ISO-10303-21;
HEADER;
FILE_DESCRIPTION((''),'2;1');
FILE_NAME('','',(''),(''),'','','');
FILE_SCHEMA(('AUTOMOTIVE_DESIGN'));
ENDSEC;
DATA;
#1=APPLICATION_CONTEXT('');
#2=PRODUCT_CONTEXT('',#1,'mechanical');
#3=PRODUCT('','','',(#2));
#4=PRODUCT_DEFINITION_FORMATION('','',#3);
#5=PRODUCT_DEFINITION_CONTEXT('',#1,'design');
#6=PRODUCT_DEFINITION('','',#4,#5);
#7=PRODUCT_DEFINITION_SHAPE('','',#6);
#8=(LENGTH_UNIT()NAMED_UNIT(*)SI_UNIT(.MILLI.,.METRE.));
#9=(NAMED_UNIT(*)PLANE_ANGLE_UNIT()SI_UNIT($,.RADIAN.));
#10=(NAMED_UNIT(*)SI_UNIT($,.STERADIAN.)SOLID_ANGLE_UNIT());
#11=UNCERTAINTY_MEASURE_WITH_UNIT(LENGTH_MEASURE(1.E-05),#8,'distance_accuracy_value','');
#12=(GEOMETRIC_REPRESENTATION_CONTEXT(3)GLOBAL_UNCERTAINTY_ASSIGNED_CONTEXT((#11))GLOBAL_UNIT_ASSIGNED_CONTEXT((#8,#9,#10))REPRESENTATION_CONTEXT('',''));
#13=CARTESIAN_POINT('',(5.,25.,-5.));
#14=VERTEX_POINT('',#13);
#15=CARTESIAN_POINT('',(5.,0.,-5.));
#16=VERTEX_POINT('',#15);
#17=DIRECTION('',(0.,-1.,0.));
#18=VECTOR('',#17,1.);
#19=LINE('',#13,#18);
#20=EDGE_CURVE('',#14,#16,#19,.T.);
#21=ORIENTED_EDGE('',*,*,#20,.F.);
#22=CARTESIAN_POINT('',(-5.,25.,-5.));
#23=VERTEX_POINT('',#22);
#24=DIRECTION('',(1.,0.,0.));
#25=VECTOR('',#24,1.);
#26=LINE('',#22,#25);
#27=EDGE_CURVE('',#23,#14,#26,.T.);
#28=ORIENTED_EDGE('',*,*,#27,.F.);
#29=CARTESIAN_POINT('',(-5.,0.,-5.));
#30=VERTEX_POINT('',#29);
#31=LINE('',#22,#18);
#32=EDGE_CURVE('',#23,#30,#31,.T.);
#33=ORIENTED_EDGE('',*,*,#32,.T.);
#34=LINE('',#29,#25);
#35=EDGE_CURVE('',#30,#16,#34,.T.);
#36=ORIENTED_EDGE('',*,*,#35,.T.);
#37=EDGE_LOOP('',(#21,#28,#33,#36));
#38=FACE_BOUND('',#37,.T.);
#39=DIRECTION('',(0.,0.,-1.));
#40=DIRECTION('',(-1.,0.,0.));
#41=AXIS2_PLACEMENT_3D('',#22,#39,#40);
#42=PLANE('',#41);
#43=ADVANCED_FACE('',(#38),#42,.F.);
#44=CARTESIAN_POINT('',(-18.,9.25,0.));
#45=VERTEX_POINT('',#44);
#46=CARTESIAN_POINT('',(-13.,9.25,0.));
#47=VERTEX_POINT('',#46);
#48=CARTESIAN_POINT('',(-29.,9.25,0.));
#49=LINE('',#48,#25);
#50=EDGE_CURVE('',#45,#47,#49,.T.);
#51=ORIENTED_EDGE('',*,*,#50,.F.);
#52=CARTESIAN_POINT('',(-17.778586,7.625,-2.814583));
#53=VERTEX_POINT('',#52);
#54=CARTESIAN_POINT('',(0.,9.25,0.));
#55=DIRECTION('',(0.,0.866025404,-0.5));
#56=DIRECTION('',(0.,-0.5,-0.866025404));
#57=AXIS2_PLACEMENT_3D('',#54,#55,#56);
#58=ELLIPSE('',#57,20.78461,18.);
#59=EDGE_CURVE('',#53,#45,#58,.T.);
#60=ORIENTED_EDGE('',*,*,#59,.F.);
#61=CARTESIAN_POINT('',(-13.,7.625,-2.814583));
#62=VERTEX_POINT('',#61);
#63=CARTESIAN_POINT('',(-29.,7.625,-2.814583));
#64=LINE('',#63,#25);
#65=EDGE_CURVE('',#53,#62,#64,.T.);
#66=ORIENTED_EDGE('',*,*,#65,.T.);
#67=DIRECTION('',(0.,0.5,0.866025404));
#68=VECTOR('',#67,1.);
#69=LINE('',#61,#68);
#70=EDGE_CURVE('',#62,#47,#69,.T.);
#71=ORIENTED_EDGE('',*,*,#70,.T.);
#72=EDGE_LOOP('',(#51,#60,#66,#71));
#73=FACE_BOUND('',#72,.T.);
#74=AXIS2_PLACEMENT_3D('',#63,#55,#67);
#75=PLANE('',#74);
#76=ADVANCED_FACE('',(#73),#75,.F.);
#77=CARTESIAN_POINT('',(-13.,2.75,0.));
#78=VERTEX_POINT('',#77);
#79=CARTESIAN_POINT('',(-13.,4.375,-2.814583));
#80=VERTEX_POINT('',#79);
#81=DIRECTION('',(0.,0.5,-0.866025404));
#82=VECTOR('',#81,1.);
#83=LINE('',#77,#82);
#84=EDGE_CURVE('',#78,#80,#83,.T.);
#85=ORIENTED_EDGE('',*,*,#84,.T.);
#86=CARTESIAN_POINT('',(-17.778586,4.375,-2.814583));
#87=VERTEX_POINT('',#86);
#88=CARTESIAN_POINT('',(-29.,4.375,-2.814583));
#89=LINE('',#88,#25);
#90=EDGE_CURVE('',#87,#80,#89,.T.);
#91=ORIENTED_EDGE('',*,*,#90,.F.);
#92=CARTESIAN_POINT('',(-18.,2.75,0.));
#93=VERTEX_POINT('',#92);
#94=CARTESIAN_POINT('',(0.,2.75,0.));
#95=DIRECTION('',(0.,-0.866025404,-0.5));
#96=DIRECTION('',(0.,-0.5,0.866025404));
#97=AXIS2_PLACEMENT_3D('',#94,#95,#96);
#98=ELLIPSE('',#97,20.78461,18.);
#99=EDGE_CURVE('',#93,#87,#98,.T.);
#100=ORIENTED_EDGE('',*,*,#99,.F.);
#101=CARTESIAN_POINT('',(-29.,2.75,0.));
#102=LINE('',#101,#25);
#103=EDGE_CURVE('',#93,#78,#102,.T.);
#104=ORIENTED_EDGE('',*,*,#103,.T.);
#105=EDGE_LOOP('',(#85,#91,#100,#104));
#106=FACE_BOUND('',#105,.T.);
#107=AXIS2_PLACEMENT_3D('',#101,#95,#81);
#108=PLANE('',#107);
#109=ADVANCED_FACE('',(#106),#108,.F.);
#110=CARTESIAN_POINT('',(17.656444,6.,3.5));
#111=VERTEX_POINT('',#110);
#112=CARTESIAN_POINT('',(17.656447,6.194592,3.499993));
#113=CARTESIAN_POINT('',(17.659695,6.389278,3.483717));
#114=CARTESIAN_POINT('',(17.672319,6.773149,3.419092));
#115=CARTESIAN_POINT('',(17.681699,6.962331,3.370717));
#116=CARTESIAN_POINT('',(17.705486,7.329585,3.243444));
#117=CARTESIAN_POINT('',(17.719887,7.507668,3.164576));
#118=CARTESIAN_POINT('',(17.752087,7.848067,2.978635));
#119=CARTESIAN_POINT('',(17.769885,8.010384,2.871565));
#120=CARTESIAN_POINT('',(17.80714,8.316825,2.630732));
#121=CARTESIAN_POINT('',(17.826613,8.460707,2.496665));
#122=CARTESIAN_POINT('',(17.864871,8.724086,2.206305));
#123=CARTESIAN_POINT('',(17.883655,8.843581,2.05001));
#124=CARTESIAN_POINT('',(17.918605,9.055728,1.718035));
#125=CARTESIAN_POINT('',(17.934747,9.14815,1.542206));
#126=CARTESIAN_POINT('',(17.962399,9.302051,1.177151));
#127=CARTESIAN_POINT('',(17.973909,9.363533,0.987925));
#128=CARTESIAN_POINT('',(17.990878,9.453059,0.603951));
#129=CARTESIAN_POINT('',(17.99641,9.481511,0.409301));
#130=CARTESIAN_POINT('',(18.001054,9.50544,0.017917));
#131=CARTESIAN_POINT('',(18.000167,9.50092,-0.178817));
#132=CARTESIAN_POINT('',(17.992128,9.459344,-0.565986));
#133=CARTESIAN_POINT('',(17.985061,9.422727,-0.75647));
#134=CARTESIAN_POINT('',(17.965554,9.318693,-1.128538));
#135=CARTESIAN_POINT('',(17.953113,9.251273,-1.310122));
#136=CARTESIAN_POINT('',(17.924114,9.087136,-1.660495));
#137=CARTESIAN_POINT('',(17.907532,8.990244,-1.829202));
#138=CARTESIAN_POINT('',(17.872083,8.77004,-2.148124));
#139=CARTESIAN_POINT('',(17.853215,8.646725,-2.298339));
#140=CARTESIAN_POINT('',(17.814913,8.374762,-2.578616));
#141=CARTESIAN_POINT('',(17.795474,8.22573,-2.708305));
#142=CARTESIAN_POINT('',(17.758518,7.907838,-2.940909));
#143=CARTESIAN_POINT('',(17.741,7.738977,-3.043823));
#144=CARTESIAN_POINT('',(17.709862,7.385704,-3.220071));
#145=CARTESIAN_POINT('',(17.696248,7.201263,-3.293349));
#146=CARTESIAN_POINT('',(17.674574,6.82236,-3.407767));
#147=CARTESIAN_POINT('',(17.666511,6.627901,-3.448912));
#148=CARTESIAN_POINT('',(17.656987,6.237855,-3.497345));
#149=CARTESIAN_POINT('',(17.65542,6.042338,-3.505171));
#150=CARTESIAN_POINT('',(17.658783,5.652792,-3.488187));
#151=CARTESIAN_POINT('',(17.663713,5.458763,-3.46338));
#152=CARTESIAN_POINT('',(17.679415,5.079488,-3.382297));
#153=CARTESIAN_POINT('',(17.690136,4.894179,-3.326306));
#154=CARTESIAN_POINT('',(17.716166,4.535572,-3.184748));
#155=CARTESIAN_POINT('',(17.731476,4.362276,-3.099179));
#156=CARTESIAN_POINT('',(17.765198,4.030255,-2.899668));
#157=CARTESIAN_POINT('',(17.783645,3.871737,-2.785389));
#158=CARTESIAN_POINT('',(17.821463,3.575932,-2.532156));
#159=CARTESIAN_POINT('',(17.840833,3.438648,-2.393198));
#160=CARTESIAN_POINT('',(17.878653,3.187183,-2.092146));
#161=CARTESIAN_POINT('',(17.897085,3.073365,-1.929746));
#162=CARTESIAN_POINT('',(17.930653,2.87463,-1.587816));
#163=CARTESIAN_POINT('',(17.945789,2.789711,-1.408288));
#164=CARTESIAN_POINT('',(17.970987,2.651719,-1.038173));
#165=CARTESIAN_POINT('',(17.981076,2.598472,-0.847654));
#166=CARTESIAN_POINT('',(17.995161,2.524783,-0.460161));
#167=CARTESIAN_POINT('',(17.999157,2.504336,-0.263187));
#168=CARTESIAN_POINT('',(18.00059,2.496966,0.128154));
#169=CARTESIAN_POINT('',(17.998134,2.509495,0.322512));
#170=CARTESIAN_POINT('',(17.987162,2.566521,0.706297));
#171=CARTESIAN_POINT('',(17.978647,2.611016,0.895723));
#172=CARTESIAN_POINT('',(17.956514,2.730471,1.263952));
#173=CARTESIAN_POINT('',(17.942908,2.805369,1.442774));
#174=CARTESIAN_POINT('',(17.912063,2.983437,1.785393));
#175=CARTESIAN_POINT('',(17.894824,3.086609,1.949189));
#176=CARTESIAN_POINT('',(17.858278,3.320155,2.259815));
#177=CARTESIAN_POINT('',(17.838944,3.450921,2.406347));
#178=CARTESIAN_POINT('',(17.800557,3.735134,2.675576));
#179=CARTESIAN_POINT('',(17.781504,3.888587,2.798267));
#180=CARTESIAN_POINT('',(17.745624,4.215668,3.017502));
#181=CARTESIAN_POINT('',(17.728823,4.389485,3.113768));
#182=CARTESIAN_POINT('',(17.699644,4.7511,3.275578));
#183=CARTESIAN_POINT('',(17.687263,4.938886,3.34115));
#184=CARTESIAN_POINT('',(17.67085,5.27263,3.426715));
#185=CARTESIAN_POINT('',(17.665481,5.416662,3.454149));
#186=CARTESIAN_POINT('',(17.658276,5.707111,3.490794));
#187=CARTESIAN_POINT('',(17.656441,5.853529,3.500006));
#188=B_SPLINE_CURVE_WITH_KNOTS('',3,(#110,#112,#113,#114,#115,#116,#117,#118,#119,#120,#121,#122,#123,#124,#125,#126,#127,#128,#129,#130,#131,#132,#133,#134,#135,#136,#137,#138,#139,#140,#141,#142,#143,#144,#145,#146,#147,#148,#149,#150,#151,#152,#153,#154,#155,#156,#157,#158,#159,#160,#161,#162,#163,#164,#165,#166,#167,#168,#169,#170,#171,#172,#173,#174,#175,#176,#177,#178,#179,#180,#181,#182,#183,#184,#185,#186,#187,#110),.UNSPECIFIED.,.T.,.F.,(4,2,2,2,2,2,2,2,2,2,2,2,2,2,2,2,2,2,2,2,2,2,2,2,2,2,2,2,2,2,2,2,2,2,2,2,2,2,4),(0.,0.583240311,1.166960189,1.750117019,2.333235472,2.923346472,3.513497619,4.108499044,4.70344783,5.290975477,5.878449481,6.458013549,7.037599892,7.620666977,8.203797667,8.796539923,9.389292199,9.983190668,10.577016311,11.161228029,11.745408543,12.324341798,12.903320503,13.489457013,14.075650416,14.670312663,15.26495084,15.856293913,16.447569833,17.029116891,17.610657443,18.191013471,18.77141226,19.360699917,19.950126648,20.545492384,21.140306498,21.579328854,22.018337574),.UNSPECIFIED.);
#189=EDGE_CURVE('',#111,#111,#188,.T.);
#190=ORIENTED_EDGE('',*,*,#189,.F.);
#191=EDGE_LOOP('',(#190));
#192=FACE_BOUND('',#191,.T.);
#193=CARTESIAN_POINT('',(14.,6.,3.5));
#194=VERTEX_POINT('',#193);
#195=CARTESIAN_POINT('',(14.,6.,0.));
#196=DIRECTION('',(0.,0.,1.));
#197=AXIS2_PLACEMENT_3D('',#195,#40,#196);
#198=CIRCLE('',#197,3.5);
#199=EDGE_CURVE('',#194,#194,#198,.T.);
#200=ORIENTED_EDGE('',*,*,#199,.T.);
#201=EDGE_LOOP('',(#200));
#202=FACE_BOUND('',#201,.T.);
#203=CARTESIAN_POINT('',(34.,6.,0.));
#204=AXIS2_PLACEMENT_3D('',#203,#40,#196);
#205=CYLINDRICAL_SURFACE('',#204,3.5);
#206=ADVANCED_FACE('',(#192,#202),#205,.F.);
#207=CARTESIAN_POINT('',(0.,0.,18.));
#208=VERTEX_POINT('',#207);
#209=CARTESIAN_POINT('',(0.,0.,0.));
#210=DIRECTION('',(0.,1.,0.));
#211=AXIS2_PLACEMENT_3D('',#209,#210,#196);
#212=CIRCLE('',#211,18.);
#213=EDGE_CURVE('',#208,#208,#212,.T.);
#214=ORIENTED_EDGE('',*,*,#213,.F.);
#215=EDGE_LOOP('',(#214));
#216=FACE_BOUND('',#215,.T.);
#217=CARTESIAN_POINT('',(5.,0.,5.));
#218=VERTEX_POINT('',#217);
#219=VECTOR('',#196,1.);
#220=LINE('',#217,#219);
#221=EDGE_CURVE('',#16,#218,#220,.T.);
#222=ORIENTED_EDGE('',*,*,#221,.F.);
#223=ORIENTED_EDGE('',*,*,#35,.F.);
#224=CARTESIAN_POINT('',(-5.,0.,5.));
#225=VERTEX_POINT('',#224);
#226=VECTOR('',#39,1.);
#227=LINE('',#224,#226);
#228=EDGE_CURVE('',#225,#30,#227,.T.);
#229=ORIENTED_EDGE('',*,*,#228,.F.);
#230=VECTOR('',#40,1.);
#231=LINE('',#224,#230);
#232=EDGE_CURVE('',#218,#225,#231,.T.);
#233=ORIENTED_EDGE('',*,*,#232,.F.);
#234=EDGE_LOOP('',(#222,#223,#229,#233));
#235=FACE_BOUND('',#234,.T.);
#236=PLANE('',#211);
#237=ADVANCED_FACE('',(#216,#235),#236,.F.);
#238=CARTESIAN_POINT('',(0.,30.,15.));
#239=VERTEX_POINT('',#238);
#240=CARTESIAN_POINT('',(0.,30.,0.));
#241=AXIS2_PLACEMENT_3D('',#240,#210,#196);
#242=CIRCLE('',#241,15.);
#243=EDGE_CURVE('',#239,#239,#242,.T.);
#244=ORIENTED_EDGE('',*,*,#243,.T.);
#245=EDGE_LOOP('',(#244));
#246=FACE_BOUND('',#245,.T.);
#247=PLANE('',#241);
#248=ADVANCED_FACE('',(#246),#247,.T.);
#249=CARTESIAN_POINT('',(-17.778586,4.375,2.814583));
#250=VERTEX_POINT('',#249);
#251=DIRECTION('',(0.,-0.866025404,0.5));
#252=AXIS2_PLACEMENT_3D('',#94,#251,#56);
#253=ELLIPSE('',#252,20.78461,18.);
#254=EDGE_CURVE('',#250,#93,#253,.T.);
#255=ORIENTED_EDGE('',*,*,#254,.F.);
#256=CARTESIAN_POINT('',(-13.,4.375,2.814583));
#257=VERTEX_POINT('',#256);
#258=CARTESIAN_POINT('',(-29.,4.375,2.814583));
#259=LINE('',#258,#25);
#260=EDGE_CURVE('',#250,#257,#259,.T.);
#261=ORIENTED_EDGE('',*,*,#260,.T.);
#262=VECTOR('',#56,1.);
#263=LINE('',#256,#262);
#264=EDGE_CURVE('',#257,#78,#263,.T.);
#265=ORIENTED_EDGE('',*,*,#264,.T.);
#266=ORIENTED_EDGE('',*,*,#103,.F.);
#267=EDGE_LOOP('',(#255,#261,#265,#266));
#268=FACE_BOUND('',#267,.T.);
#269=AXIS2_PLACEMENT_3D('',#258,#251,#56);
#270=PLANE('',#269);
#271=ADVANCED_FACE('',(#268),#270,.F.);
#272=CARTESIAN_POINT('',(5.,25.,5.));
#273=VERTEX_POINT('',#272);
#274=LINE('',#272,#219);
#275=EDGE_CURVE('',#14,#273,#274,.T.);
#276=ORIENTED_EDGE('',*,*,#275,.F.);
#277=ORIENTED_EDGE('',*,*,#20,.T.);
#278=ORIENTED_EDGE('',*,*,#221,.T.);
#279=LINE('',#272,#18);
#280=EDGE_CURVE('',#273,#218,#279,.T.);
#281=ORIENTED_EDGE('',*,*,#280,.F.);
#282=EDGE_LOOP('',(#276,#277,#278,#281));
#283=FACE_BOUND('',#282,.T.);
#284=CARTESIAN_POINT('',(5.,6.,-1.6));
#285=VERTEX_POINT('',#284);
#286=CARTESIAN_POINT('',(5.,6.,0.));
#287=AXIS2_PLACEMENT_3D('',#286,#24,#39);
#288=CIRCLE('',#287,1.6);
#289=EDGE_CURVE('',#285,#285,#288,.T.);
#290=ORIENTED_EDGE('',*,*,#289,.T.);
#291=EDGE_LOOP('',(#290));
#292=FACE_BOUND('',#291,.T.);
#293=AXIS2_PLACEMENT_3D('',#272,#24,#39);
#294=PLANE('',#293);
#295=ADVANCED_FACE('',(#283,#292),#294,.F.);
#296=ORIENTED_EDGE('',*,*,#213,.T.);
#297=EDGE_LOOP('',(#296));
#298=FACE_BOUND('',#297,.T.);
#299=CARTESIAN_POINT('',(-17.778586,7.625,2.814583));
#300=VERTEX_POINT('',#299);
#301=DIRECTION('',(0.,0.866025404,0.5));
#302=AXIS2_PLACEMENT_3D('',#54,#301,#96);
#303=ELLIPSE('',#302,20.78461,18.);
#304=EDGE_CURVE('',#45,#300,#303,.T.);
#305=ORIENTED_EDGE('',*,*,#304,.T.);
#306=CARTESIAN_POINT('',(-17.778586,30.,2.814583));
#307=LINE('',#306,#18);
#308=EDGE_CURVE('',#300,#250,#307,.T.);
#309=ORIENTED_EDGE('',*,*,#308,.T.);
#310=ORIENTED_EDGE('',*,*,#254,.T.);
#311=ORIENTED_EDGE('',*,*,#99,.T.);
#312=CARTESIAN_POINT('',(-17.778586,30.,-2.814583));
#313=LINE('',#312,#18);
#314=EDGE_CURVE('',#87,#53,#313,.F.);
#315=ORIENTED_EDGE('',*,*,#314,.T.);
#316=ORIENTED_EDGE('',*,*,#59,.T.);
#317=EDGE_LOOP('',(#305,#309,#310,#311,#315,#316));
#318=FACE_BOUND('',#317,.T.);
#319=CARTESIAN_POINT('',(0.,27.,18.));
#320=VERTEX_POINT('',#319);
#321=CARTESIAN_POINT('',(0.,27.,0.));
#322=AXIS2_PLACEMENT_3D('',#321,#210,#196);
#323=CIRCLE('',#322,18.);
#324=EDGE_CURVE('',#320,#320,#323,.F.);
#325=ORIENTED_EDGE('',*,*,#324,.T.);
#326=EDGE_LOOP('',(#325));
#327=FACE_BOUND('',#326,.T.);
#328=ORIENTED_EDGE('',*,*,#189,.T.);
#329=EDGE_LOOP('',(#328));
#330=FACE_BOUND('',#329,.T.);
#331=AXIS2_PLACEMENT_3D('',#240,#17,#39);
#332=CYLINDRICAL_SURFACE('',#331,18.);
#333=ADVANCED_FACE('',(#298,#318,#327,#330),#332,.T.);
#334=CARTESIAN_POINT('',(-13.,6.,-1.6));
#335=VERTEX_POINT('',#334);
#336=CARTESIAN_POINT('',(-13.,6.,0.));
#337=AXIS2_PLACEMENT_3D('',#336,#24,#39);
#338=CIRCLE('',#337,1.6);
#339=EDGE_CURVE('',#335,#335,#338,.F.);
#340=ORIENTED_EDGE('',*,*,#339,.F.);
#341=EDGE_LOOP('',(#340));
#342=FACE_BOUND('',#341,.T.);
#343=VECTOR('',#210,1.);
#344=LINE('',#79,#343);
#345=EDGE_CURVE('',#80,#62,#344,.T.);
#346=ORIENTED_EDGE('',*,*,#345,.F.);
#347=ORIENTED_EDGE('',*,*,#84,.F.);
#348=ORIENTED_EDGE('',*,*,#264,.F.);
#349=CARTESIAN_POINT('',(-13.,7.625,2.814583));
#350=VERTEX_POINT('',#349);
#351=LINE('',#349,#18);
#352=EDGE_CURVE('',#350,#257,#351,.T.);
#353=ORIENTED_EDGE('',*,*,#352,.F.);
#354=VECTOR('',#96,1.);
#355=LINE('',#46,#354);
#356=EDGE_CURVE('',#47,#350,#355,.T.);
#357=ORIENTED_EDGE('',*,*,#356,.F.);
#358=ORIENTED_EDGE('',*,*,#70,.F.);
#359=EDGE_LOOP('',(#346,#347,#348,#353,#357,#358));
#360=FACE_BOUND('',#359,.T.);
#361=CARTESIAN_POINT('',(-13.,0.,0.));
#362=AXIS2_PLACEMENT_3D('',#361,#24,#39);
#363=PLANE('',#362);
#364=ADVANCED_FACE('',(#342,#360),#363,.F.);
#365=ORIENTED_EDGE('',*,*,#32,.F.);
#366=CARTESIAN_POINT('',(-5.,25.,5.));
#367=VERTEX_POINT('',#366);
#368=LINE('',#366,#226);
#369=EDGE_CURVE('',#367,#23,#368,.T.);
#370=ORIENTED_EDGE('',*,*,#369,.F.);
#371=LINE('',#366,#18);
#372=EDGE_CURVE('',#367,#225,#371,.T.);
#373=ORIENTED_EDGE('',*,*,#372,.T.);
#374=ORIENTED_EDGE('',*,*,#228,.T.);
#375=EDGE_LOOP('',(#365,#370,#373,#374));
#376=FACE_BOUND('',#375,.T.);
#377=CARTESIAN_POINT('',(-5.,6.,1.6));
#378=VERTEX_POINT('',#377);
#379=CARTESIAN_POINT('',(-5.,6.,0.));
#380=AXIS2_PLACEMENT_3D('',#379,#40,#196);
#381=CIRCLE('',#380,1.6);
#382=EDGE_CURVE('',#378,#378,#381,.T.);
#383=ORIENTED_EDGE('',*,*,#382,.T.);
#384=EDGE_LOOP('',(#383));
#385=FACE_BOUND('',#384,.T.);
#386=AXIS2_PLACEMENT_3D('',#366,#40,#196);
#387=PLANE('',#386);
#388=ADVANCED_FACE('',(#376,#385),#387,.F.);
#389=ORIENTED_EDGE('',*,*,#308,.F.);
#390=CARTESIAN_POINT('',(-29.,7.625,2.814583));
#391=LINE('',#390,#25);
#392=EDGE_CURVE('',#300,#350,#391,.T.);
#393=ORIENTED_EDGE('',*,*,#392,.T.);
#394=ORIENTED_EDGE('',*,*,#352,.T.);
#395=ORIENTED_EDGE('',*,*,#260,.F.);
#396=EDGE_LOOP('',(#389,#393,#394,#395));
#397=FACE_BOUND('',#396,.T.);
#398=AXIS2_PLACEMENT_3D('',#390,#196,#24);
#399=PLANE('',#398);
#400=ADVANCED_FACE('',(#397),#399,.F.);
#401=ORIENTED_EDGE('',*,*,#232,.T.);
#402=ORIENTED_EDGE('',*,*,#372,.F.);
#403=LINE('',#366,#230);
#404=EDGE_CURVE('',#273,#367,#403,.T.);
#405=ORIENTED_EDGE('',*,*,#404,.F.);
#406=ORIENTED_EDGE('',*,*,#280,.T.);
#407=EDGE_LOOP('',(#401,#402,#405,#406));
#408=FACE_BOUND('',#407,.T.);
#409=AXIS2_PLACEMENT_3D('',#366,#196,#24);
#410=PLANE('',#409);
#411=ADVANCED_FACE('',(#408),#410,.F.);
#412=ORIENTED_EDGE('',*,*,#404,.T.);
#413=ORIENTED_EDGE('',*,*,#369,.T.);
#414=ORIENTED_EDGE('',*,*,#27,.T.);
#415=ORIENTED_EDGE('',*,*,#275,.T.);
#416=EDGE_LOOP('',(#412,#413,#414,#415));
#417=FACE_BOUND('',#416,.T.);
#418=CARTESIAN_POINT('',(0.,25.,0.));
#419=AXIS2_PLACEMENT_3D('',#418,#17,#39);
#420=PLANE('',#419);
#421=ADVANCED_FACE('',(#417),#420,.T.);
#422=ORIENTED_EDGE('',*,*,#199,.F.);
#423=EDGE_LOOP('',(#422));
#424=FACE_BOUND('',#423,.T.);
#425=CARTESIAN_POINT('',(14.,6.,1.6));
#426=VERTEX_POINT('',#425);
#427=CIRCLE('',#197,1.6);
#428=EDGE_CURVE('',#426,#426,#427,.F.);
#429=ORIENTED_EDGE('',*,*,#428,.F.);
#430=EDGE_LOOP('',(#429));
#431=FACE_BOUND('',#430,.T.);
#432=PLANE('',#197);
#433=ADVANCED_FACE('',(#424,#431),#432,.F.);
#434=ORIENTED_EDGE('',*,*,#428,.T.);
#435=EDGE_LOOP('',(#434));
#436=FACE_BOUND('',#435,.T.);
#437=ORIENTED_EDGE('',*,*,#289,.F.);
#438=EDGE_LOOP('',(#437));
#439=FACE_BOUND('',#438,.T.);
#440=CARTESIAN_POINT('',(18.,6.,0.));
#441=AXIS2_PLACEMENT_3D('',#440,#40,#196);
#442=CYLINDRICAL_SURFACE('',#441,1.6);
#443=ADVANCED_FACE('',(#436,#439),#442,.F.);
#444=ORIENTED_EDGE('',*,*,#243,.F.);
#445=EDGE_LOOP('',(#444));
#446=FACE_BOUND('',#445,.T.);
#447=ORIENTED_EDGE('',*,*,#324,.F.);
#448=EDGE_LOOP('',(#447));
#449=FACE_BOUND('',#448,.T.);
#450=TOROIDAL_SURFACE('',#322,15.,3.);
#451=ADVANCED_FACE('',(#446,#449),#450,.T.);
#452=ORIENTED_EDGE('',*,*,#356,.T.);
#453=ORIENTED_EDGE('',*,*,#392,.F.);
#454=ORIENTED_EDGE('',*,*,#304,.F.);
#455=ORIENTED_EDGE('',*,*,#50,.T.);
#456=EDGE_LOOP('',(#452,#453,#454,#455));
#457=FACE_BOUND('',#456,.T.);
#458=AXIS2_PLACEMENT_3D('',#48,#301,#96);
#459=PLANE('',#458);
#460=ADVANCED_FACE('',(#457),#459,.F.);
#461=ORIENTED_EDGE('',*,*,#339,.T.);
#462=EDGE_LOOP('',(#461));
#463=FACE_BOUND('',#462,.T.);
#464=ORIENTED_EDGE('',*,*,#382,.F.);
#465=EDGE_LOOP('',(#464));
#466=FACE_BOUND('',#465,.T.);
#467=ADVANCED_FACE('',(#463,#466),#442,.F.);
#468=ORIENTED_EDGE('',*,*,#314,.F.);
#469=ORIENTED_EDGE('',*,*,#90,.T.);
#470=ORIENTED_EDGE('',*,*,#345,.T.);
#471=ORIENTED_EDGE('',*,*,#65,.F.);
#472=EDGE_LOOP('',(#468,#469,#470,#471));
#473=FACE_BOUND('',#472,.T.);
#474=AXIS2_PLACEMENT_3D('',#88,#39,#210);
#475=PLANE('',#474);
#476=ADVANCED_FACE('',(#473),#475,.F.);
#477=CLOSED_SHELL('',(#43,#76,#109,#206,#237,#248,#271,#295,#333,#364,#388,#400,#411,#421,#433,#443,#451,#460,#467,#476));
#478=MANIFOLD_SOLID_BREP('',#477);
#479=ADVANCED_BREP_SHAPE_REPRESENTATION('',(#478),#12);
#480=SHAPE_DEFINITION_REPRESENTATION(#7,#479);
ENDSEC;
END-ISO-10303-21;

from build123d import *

# Parameters (mm, degrees)
SKETCH1_R               = 18
BOSS_EXTRUDE1_DEPTH     = 30
FILLET1_R               = 3
SKETCH2_W               = 10
SKETCH2_H               = 10
CUT_EXTRUDE1_DEPTH      = 25
SKETCH3_R               = 1.6
CUT_EXTRUDE2_DEPTH      = 24
CUT_EXTRUDE2_DEPTH_BACK = 14.0000001
CUT_EXTRUDE3_START      = -9
SKETCH4_R               = 3.5
CUT_EXTRUDE3_DEPTH      = 20
CUT_EXTRUDE4_START      = -8
CUT_EXTRUDE4_DEPTH      = 16


with BuildPart() as part:
    # Sketch1 → Boss-Extrude1 (new body)
    with BuildSketch(Plane(origin=(0, 0, 0), x_dir=(1, 0, 0), z_dir=(0, 1, 0))):
        Circle(SKETCH1_R)
    extrude(amount=BOSS_EXTRUDE1_DEPTH)

    # Fillet1
    fillet1_edges = [part.edges().sort_by_distance(p)[0] for p in [
        (-18, 30, 0),
    ]]
    fillet(fillet1_edges, radius=FILLET1_R)

    # Sketch2 → Cut-Extrude1 (cut)
    with BuildSketch(Plane.XZ):
        Rectangle(SKETCH2_W, SKETCH2_H)
    extrude(amount=-CUT_EXTRUDE1_DEPTH, mode=Mode.SUBTRACT)

    # Sketch3 → Cut-Extrude2 (cut, two sides)
    with BuildSketch(Plane.ZY.offset(-5)) as cut_extrude2_sk:
        with Locations((0, 6)):
            Circle(SKETCH3_R)
    extrude(amount=CUT_EXTRUDE2_DEPTH, mode=Mode.SUBTRACT)
    extrude(cut_extrude2_sk.sketch, amount=-CUT_EXTRUDE2_DEPTH_BACK, mode=Mode.SUBTRACT)

    # Sketch4 → Cut-Extrude3 (cut)
    with BuildSketch(Plane.ZY.offset(-5).offset(CUT_EXTRUDE3_START)):
        with Locations((0, 6)):
            Circle(SKETCH4_R)
    extrude(amount=-CUT_EXTRUDE3_DEPTH, mode=Mode.SUBTRACT)

    # Sketch5 → Cut-Extrude4 (cut)
    with BuildSketch(Plane(origin=(-5, 0, 0), x_dir=(0, 0, -1), z_dir=(1, 0, 0)).offset(CUT_EXTRUDE4_START)):
        Polygon((-2.814582562, 7.625), (-2.814582562, 4.375), (0, 2.75), (2.814582562, 4.375), (2.814582562, 7.625), (0, 9.25), align=None)
    extrude(amount=-CUT_EXTRUDE4_DEPTH, mode=Mode.SUBTRACT)


solid = part.part
